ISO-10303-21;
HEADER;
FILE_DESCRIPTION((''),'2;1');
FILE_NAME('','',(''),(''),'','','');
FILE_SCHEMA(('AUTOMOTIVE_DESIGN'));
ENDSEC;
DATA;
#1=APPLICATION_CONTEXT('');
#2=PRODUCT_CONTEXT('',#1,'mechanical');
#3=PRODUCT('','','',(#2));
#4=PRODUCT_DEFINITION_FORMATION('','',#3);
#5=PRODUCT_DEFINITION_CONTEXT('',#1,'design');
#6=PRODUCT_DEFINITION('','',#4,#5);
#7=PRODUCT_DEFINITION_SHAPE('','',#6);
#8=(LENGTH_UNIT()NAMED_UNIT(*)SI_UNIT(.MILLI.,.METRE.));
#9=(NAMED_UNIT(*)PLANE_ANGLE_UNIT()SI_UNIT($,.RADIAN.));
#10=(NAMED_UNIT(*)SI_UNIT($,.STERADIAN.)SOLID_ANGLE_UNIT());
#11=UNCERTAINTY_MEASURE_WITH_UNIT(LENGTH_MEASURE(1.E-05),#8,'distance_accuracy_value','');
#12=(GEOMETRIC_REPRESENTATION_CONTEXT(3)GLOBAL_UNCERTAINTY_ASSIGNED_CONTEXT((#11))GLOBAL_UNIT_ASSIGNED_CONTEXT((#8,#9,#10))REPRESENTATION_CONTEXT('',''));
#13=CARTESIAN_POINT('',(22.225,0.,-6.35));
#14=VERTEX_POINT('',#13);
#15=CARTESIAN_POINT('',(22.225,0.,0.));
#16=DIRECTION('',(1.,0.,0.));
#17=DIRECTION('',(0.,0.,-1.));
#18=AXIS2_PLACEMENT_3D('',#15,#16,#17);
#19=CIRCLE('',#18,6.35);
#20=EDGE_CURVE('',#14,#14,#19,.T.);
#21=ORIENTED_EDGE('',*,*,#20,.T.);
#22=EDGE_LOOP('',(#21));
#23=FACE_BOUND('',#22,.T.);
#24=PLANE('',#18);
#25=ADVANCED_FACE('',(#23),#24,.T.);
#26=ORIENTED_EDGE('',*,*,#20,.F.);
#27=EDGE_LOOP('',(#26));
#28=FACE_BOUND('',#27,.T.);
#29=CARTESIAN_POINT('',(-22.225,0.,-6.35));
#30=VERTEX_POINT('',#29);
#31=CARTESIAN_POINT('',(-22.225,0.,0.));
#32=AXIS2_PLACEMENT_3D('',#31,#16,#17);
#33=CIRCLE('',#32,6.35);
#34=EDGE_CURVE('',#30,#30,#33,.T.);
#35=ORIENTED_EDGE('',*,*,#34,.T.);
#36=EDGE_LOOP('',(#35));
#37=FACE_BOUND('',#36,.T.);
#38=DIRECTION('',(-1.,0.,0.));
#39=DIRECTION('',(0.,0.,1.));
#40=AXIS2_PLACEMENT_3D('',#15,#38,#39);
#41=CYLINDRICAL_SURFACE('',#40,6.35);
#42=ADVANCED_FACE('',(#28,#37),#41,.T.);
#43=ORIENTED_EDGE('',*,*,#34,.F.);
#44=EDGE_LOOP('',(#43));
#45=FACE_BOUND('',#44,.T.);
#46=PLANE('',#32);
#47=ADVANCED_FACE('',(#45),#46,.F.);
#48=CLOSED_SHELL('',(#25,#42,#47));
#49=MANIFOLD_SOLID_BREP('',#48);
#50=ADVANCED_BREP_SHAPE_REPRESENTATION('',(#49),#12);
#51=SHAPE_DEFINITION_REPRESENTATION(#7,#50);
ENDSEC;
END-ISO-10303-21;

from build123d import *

# Parameters (mm, degrees)
SKETCH1_R           = 6.35
BOSS_EXTRUDE1_DEPTH = 22.225


with BuildPart() as part:
    # Sketch1 → Boss-Extrude1 (new body, symmetric)
    with BuildSketch(Plane(origin=(0, 0, 0), x_dir=(0, 0, -1), z_dir=(1, 0, 0))):
        Circle(SKETCH1_R)
    extrude(amount=BOSS_EXTRUDE1_DEPTH, both=True)


solid = part.part
